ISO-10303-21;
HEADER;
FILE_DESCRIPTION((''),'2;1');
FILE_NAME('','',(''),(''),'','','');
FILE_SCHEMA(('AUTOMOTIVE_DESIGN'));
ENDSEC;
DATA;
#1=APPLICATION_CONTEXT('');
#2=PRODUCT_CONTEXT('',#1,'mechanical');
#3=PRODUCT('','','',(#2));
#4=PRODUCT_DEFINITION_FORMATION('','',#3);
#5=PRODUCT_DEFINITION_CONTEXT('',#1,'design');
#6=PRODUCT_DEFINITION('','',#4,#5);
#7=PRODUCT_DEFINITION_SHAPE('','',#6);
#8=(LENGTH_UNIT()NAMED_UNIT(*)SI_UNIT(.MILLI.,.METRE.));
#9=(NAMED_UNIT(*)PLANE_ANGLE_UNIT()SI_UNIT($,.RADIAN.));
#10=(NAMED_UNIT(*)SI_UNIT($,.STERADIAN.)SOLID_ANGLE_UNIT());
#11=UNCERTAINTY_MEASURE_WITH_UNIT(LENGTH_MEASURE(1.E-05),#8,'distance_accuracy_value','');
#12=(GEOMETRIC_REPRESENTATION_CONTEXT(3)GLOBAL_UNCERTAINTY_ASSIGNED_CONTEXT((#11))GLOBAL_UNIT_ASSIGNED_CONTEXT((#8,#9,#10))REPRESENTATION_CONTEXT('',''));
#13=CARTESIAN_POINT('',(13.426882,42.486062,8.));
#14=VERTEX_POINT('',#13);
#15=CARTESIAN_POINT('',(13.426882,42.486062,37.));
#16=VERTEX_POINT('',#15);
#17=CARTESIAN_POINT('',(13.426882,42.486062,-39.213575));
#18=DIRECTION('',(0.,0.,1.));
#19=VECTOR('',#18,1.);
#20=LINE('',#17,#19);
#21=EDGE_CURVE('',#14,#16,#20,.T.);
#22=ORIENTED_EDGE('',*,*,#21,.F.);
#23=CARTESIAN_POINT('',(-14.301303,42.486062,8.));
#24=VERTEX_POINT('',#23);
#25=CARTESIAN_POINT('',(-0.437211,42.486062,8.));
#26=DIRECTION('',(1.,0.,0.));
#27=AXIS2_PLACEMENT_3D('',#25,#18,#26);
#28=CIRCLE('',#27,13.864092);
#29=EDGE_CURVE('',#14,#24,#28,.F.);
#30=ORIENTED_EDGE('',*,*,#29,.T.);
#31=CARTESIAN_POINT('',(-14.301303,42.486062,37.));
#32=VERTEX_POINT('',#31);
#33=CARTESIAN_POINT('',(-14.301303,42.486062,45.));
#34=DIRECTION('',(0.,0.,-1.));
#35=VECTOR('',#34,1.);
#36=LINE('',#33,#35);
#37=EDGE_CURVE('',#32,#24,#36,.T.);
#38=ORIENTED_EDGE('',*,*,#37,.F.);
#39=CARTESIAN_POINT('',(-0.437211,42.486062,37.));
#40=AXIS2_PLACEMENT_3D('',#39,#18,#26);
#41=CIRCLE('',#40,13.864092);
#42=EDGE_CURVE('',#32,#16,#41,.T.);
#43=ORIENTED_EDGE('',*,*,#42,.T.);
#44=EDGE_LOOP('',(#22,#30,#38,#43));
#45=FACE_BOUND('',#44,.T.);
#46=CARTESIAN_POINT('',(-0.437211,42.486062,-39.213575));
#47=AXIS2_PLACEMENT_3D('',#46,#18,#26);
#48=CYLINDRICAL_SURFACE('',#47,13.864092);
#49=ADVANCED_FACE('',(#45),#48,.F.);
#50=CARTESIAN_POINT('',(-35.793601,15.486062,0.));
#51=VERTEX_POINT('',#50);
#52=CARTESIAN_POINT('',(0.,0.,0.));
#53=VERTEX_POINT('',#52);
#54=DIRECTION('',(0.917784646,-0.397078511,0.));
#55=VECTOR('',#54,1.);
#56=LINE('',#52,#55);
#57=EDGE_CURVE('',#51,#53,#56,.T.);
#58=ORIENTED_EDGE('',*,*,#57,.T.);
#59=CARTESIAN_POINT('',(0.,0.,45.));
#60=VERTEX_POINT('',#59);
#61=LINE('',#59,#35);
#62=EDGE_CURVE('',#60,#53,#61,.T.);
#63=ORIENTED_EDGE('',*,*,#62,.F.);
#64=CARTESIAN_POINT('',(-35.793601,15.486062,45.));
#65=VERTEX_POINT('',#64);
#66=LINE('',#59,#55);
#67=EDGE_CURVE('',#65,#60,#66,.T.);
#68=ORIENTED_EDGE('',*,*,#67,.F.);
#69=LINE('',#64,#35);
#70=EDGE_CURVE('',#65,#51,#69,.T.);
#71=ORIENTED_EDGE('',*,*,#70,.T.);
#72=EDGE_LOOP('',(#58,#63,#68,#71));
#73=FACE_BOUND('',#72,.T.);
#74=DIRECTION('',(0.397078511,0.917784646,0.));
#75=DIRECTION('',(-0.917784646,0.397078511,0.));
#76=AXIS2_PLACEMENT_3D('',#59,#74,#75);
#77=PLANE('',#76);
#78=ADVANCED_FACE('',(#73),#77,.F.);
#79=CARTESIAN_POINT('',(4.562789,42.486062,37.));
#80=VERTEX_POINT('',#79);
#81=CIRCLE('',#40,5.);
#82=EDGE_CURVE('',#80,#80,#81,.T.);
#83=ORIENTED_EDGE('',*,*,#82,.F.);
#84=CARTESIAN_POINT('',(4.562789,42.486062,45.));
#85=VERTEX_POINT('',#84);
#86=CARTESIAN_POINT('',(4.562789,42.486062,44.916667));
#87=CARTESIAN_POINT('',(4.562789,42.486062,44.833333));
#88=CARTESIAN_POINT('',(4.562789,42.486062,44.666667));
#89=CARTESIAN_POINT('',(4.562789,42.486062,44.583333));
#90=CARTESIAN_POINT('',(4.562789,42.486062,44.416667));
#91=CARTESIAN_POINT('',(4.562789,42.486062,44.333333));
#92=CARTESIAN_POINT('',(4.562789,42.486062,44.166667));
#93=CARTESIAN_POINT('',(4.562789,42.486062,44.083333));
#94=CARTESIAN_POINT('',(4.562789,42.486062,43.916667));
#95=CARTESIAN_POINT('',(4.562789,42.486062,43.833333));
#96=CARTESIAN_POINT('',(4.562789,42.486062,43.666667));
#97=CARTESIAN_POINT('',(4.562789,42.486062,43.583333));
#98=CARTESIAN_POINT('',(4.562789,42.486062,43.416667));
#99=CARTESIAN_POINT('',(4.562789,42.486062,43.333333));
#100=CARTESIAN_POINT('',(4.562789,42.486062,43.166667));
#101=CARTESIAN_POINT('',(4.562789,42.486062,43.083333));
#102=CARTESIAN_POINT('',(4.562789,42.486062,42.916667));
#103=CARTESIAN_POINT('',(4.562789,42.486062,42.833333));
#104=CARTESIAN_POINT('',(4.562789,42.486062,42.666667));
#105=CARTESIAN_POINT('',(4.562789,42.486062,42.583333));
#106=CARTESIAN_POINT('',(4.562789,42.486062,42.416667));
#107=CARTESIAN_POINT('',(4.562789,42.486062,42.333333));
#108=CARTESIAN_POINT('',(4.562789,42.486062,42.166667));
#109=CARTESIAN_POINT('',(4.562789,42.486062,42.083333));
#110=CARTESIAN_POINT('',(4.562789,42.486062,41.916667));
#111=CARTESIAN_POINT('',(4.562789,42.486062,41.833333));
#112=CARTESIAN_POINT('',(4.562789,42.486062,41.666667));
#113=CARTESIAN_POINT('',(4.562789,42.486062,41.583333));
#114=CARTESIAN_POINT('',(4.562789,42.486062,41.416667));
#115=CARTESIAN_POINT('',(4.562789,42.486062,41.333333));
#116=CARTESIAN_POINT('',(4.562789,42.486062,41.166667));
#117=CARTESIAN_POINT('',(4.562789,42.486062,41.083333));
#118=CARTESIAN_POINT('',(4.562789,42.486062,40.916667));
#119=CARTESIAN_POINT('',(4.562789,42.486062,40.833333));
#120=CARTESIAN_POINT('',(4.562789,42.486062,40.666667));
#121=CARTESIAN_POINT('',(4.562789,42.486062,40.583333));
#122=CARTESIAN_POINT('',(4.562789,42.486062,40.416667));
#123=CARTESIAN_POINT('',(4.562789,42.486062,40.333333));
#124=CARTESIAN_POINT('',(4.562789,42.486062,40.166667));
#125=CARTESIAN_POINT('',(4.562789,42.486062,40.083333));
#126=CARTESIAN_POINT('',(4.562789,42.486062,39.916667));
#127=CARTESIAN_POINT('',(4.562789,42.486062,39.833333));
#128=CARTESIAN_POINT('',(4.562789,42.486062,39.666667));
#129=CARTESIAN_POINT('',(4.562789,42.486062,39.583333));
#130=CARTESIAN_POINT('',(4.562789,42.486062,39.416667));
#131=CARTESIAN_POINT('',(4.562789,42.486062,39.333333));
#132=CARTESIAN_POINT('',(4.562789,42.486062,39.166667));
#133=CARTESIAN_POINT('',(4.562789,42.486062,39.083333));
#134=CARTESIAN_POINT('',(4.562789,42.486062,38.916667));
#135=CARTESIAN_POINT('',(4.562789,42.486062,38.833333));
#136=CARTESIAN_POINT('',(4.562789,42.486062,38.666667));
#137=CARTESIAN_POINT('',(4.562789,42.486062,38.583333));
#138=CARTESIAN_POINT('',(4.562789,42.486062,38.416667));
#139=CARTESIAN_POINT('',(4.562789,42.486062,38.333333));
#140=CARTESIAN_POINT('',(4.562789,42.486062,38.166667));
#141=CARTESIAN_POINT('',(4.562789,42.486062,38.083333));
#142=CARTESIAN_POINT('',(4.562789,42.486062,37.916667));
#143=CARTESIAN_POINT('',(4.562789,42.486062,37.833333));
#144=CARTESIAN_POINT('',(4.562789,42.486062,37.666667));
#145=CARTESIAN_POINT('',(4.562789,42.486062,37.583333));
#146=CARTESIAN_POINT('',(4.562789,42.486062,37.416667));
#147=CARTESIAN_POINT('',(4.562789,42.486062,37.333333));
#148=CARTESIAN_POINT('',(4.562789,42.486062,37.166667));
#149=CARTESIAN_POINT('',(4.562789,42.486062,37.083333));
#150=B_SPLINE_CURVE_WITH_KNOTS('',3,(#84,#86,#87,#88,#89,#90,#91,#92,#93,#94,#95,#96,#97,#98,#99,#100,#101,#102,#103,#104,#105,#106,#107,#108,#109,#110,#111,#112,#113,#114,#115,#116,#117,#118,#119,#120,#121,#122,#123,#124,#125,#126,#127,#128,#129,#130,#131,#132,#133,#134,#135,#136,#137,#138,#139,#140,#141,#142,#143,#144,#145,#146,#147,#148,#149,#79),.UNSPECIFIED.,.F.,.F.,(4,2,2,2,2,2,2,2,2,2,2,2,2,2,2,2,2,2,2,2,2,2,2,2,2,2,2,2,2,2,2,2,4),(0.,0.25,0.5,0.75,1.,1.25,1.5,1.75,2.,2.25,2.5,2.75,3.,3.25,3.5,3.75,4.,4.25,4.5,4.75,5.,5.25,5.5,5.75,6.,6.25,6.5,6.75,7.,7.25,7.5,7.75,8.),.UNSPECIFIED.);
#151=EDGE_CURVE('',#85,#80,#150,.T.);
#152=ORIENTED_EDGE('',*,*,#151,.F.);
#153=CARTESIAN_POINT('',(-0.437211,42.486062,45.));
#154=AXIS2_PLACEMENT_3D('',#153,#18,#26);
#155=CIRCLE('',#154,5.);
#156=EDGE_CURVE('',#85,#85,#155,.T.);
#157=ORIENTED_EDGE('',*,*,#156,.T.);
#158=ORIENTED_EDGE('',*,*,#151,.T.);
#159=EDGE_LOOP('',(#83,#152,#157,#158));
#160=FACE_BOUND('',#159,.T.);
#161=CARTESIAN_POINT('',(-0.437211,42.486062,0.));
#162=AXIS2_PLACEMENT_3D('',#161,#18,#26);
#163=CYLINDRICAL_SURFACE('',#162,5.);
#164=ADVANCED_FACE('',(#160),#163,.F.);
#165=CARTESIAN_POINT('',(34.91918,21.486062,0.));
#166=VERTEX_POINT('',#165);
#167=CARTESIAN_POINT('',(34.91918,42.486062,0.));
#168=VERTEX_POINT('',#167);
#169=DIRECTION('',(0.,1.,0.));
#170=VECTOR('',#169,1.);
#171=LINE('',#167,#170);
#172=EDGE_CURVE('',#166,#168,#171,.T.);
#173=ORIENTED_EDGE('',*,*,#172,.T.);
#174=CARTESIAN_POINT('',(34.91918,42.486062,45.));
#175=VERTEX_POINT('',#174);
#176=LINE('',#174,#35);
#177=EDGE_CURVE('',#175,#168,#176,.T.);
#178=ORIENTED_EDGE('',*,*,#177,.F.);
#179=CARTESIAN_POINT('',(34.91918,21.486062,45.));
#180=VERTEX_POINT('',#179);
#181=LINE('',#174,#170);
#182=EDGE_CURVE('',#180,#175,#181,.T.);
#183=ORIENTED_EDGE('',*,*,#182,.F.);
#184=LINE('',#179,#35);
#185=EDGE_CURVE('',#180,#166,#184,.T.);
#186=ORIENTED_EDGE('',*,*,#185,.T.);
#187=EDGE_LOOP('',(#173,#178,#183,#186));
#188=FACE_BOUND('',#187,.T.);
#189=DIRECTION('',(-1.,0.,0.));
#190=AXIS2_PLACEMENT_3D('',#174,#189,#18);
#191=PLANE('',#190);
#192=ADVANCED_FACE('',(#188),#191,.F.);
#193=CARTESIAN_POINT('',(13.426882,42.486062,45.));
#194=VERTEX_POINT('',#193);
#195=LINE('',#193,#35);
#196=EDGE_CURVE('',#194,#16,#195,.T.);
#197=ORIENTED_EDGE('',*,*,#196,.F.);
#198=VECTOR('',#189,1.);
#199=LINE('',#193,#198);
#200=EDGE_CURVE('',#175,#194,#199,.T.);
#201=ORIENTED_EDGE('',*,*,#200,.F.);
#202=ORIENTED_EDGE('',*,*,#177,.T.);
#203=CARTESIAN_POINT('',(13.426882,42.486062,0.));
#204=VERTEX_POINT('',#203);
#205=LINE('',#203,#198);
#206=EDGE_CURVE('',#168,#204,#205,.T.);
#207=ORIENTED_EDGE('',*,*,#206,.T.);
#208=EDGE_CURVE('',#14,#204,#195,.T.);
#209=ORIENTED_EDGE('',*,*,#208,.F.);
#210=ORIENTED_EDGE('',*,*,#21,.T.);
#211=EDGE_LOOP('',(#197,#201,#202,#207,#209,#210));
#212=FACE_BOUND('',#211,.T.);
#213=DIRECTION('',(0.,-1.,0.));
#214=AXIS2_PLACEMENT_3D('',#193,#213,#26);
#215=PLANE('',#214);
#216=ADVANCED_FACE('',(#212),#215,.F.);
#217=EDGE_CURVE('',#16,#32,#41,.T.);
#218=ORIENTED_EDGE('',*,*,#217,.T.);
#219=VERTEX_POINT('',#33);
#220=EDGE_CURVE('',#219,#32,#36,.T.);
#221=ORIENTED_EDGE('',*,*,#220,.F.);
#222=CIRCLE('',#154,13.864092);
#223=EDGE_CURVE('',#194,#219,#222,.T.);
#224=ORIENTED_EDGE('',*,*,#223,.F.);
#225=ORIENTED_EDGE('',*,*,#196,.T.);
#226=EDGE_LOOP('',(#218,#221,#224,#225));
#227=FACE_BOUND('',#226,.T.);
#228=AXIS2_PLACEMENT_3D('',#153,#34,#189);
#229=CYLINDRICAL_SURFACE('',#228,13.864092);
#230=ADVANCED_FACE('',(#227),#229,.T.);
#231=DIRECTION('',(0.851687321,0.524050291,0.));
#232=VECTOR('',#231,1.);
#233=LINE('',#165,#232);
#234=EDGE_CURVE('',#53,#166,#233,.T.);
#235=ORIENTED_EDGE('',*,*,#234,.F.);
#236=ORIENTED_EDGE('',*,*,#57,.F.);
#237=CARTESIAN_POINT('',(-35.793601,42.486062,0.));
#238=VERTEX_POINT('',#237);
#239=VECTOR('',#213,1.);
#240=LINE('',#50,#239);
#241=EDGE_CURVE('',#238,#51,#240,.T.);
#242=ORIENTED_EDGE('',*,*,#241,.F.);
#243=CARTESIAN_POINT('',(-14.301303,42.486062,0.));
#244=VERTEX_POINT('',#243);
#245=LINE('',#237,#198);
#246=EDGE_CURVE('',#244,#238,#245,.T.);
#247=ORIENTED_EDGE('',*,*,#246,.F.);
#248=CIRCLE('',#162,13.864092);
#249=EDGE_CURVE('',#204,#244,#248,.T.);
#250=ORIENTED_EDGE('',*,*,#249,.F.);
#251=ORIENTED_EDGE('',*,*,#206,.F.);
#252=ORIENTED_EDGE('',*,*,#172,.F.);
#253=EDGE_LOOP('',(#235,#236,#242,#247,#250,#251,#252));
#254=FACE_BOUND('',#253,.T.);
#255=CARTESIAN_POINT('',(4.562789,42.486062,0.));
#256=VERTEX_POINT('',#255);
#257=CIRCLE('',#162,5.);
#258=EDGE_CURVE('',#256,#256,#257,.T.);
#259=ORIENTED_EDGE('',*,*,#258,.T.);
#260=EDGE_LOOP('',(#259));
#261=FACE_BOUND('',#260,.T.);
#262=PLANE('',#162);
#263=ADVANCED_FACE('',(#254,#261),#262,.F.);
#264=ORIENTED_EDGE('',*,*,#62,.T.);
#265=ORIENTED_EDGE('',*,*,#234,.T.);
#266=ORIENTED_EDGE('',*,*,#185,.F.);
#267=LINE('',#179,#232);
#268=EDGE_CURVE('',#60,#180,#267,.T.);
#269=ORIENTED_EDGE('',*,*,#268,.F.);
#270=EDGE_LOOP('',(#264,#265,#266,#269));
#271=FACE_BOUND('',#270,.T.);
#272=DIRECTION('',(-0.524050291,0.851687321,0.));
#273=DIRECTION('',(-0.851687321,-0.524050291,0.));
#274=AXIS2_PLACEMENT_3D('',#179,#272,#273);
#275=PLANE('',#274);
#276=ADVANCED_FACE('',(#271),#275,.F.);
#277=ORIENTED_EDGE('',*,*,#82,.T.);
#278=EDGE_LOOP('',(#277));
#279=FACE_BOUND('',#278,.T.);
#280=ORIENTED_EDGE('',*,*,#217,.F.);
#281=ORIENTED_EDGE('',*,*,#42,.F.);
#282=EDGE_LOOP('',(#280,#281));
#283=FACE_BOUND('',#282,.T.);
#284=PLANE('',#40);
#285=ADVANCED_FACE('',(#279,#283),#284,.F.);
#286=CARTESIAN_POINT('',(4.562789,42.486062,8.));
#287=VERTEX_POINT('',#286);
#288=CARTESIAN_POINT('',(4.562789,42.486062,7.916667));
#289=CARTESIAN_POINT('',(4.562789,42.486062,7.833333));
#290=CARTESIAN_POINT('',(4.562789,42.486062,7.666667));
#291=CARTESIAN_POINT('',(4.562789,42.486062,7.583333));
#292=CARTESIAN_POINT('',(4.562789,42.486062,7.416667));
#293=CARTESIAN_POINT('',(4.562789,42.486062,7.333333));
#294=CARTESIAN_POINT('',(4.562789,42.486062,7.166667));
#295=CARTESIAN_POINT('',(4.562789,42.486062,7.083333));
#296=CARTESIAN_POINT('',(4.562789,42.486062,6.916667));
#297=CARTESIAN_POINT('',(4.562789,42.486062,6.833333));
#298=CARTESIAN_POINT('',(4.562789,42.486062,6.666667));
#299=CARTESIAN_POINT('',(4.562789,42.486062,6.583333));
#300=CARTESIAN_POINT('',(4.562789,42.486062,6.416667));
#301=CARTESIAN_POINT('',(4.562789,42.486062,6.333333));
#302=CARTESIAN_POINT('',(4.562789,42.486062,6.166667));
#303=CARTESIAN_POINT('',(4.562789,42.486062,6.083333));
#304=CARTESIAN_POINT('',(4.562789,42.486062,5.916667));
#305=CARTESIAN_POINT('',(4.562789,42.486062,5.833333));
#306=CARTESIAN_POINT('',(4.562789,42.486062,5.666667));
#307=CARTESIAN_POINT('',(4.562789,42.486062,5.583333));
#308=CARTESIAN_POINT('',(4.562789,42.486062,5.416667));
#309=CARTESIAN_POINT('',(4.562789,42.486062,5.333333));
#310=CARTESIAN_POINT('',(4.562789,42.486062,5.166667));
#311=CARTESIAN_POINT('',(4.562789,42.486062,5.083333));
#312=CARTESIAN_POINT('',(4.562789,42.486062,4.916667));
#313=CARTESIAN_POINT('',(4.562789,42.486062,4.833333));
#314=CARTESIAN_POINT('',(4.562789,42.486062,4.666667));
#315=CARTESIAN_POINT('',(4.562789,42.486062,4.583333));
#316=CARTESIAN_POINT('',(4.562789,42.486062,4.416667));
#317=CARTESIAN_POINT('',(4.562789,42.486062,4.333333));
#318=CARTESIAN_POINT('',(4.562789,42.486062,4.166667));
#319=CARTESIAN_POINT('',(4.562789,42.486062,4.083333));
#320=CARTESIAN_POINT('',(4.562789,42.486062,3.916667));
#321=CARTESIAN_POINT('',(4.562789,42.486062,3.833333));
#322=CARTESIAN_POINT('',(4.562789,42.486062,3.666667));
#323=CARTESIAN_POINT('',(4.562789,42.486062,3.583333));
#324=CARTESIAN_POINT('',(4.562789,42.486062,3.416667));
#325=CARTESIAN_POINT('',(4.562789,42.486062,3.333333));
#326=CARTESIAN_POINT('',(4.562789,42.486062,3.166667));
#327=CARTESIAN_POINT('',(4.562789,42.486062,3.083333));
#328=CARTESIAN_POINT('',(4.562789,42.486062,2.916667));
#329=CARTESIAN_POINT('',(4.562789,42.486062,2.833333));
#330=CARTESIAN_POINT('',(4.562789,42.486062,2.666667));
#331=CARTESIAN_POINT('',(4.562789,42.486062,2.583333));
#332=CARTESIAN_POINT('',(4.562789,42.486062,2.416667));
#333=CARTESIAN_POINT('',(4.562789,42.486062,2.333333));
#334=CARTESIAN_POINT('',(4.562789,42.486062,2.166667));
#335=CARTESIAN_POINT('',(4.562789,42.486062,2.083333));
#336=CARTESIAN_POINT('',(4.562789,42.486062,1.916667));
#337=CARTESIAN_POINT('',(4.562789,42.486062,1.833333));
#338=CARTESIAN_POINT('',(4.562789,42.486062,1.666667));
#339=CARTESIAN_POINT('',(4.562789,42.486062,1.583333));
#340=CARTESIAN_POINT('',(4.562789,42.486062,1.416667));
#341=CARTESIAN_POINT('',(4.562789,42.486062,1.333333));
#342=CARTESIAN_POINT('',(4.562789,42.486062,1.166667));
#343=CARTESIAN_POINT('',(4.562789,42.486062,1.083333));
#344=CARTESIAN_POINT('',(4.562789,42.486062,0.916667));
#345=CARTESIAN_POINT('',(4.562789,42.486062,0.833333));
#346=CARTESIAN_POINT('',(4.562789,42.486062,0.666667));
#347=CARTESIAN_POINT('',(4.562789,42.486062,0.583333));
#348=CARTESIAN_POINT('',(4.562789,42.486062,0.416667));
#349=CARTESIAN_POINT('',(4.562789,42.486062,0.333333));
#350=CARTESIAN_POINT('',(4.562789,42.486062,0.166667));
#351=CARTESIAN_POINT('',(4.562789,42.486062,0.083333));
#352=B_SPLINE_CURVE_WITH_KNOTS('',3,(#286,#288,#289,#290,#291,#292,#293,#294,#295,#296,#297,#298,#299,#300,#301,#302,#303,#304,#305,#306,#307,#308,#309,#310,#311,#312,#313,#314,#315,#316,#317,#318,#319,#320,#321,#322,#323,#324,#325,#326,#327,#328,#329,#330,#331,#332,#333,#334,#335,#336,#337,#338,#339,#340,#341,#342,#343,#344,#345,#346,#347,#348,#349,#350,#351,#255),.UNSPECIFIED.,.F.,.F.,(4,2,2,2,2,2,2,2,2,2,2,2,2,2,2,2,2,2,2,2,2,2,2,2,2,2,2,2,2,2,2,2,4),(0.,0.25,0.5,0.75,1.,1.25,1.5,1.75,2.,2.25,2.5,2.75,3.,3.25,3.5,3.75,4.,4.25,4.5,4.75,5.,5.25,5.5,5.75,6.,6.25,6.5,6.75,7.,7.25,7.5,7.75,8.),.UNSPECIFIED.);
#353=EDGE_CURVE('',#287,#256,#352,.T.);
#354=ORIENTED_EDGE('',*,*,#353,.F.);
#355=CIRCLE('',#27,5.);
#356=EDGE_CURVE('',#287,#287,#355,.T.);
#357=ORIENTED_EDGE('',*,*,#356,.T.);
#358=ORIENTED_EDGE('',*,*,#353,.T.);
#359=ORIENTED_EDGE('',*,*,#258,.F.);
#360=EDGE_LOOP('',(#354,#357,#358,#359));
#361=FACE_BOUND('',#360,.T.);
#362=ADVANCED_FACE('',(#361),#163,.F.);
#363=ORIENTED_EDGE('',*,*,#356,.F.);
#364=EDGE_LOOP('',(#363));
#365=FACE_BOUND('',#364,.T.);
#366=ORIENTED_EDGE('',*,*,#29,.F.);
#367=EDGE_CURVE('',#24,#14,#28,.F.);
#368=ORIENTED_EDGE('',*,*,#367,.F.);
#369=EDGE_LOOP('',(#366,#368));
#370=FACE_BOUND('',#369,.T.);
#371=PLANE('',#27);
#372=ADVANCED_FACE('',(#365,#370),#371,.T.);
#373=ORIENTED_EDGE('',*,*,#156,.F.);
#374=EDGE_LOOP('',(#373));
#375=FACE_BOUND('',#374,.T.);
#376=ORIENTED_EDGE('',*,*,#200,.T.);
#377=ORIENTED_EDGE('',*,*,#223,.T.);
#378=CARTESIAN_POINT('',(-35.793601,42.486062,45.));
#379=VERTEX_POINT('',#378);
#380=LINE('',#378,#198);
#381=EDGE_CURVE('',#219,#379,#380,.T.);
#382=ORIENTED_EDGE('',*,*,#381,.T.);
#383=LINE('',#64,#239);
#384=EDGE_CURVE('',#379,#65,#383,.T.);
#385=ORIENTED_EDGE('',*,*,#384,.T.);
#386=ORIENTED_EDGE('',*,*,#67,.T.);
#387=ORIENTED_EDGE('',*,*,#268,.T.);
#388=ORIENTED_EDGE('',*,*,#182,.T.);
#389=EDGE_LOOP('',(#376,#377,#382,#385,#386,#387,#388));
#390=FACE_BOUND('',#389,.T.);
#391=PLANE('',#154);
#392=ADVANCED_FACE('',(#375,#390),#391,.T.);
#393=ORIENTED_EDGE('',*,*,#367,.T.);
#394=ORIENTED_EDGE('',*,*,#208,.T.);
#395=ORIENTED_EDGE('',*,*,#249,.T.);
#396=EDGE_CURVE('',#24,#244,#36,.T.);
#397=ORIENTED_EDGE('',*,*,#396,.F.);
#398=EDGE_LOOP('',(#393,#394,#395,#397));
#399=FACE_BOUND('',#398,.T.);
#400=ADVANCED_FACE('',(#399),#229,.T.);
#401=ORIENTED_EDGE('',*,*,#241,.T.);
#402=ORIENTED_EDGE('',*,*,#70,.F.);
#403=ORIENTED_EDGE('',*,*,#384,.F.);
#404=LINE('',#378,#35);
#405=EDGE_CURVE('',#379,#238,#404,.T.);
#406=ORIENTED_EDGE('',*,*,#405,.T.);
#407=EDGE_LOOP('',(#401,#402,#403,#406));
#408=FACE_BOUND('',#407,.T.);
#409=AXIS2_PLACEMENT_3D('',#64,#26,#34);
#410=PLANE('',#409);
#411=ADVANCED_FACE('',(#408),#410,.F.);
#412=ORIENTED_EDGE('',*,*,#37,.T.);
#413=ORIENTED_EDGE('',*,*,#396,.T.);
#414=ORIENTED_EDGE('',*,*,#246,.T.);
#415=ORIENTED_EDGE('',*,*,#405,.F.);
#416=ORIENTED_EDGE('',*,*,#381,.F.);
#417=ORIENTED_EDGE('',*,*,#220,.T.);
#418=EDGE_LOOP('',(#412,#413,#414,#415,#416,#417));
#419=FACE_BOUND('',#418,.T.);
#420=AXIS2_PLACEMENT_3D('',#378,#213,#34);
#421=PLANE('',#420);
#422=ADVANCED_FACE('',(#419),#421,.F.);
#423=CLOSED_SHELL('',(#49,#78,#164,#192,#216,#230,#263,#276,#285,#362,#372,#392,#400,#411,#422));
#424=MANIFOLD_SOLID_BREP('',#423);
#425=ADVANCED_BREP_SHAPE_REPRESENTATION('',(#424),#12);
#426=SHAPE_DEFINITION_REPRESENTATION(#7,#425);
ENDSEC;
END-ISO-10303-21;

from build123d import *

# Parameters (mm, degrees)
BOSS_EXTRUDE1_DEPTH = 45
CUT_EXTRUDE1_START  = -37
SKETCH3_R           = 13.864092281
CUT_EXTRUDE1_DEPTH  = 29
SKETCH4_R           = 5
CUT_EXTRUDE2_DEPTH  = 81.507898783


with BuildPart() as part:
    # Sketch1 → Boss-Extrude1 (new body)
    with BuildSketch(Plane.XY):
        with BuildLine():
            Line((0, 0), (-35.793601182, 15.486061941))
            Line((-35.793601182, 15.486061941), (-35.793601182, 42.486061941))
            Line((-35.793601182, 42.486061941), (-14.301302797, 42.486061941))
            ThreePointArc((-14.301302797, 42.486061941), (-0.437210516, 56.350154222), (13.426881764, 42.486061941))
            Line((13.426881764, 42.486061941), (34.919180149, 42.486061941))
            Line((34.919180149, 42.486061941), (34.919180149, 21.486061941))
            Line((34.919180149, 21.486061941), (0, 0))
        make_face()
    extrude(amount=BOSS_EXTRUDE1_DEPTH)

    # Sketch3 → Cut-Extrude1 (cut)
    with BuildSketch(Plane.XY.offset(45).offset(CUT_EXTRUDE1_START)):
        with Locations((-0.437210516, 42.486061941)):
            Circle(SKETCH3_R)
    extrude(amount=CUT_EXTRUDE1_DEPTH, mode=Mode.SUBTRACT)

    # Sketch4 → Cut-Extrude2 (cut, through all)
    with BuildSketch(Plane.XY.offset(45)):
        with Locations((-0.437210516, 42.486061941)):
            Circle(SKETCH4_R)
    extrude(amount=-CUT_EXTRUDE2_DEPTH, mode=Mode.SUBTRACT)


solid = part.part
